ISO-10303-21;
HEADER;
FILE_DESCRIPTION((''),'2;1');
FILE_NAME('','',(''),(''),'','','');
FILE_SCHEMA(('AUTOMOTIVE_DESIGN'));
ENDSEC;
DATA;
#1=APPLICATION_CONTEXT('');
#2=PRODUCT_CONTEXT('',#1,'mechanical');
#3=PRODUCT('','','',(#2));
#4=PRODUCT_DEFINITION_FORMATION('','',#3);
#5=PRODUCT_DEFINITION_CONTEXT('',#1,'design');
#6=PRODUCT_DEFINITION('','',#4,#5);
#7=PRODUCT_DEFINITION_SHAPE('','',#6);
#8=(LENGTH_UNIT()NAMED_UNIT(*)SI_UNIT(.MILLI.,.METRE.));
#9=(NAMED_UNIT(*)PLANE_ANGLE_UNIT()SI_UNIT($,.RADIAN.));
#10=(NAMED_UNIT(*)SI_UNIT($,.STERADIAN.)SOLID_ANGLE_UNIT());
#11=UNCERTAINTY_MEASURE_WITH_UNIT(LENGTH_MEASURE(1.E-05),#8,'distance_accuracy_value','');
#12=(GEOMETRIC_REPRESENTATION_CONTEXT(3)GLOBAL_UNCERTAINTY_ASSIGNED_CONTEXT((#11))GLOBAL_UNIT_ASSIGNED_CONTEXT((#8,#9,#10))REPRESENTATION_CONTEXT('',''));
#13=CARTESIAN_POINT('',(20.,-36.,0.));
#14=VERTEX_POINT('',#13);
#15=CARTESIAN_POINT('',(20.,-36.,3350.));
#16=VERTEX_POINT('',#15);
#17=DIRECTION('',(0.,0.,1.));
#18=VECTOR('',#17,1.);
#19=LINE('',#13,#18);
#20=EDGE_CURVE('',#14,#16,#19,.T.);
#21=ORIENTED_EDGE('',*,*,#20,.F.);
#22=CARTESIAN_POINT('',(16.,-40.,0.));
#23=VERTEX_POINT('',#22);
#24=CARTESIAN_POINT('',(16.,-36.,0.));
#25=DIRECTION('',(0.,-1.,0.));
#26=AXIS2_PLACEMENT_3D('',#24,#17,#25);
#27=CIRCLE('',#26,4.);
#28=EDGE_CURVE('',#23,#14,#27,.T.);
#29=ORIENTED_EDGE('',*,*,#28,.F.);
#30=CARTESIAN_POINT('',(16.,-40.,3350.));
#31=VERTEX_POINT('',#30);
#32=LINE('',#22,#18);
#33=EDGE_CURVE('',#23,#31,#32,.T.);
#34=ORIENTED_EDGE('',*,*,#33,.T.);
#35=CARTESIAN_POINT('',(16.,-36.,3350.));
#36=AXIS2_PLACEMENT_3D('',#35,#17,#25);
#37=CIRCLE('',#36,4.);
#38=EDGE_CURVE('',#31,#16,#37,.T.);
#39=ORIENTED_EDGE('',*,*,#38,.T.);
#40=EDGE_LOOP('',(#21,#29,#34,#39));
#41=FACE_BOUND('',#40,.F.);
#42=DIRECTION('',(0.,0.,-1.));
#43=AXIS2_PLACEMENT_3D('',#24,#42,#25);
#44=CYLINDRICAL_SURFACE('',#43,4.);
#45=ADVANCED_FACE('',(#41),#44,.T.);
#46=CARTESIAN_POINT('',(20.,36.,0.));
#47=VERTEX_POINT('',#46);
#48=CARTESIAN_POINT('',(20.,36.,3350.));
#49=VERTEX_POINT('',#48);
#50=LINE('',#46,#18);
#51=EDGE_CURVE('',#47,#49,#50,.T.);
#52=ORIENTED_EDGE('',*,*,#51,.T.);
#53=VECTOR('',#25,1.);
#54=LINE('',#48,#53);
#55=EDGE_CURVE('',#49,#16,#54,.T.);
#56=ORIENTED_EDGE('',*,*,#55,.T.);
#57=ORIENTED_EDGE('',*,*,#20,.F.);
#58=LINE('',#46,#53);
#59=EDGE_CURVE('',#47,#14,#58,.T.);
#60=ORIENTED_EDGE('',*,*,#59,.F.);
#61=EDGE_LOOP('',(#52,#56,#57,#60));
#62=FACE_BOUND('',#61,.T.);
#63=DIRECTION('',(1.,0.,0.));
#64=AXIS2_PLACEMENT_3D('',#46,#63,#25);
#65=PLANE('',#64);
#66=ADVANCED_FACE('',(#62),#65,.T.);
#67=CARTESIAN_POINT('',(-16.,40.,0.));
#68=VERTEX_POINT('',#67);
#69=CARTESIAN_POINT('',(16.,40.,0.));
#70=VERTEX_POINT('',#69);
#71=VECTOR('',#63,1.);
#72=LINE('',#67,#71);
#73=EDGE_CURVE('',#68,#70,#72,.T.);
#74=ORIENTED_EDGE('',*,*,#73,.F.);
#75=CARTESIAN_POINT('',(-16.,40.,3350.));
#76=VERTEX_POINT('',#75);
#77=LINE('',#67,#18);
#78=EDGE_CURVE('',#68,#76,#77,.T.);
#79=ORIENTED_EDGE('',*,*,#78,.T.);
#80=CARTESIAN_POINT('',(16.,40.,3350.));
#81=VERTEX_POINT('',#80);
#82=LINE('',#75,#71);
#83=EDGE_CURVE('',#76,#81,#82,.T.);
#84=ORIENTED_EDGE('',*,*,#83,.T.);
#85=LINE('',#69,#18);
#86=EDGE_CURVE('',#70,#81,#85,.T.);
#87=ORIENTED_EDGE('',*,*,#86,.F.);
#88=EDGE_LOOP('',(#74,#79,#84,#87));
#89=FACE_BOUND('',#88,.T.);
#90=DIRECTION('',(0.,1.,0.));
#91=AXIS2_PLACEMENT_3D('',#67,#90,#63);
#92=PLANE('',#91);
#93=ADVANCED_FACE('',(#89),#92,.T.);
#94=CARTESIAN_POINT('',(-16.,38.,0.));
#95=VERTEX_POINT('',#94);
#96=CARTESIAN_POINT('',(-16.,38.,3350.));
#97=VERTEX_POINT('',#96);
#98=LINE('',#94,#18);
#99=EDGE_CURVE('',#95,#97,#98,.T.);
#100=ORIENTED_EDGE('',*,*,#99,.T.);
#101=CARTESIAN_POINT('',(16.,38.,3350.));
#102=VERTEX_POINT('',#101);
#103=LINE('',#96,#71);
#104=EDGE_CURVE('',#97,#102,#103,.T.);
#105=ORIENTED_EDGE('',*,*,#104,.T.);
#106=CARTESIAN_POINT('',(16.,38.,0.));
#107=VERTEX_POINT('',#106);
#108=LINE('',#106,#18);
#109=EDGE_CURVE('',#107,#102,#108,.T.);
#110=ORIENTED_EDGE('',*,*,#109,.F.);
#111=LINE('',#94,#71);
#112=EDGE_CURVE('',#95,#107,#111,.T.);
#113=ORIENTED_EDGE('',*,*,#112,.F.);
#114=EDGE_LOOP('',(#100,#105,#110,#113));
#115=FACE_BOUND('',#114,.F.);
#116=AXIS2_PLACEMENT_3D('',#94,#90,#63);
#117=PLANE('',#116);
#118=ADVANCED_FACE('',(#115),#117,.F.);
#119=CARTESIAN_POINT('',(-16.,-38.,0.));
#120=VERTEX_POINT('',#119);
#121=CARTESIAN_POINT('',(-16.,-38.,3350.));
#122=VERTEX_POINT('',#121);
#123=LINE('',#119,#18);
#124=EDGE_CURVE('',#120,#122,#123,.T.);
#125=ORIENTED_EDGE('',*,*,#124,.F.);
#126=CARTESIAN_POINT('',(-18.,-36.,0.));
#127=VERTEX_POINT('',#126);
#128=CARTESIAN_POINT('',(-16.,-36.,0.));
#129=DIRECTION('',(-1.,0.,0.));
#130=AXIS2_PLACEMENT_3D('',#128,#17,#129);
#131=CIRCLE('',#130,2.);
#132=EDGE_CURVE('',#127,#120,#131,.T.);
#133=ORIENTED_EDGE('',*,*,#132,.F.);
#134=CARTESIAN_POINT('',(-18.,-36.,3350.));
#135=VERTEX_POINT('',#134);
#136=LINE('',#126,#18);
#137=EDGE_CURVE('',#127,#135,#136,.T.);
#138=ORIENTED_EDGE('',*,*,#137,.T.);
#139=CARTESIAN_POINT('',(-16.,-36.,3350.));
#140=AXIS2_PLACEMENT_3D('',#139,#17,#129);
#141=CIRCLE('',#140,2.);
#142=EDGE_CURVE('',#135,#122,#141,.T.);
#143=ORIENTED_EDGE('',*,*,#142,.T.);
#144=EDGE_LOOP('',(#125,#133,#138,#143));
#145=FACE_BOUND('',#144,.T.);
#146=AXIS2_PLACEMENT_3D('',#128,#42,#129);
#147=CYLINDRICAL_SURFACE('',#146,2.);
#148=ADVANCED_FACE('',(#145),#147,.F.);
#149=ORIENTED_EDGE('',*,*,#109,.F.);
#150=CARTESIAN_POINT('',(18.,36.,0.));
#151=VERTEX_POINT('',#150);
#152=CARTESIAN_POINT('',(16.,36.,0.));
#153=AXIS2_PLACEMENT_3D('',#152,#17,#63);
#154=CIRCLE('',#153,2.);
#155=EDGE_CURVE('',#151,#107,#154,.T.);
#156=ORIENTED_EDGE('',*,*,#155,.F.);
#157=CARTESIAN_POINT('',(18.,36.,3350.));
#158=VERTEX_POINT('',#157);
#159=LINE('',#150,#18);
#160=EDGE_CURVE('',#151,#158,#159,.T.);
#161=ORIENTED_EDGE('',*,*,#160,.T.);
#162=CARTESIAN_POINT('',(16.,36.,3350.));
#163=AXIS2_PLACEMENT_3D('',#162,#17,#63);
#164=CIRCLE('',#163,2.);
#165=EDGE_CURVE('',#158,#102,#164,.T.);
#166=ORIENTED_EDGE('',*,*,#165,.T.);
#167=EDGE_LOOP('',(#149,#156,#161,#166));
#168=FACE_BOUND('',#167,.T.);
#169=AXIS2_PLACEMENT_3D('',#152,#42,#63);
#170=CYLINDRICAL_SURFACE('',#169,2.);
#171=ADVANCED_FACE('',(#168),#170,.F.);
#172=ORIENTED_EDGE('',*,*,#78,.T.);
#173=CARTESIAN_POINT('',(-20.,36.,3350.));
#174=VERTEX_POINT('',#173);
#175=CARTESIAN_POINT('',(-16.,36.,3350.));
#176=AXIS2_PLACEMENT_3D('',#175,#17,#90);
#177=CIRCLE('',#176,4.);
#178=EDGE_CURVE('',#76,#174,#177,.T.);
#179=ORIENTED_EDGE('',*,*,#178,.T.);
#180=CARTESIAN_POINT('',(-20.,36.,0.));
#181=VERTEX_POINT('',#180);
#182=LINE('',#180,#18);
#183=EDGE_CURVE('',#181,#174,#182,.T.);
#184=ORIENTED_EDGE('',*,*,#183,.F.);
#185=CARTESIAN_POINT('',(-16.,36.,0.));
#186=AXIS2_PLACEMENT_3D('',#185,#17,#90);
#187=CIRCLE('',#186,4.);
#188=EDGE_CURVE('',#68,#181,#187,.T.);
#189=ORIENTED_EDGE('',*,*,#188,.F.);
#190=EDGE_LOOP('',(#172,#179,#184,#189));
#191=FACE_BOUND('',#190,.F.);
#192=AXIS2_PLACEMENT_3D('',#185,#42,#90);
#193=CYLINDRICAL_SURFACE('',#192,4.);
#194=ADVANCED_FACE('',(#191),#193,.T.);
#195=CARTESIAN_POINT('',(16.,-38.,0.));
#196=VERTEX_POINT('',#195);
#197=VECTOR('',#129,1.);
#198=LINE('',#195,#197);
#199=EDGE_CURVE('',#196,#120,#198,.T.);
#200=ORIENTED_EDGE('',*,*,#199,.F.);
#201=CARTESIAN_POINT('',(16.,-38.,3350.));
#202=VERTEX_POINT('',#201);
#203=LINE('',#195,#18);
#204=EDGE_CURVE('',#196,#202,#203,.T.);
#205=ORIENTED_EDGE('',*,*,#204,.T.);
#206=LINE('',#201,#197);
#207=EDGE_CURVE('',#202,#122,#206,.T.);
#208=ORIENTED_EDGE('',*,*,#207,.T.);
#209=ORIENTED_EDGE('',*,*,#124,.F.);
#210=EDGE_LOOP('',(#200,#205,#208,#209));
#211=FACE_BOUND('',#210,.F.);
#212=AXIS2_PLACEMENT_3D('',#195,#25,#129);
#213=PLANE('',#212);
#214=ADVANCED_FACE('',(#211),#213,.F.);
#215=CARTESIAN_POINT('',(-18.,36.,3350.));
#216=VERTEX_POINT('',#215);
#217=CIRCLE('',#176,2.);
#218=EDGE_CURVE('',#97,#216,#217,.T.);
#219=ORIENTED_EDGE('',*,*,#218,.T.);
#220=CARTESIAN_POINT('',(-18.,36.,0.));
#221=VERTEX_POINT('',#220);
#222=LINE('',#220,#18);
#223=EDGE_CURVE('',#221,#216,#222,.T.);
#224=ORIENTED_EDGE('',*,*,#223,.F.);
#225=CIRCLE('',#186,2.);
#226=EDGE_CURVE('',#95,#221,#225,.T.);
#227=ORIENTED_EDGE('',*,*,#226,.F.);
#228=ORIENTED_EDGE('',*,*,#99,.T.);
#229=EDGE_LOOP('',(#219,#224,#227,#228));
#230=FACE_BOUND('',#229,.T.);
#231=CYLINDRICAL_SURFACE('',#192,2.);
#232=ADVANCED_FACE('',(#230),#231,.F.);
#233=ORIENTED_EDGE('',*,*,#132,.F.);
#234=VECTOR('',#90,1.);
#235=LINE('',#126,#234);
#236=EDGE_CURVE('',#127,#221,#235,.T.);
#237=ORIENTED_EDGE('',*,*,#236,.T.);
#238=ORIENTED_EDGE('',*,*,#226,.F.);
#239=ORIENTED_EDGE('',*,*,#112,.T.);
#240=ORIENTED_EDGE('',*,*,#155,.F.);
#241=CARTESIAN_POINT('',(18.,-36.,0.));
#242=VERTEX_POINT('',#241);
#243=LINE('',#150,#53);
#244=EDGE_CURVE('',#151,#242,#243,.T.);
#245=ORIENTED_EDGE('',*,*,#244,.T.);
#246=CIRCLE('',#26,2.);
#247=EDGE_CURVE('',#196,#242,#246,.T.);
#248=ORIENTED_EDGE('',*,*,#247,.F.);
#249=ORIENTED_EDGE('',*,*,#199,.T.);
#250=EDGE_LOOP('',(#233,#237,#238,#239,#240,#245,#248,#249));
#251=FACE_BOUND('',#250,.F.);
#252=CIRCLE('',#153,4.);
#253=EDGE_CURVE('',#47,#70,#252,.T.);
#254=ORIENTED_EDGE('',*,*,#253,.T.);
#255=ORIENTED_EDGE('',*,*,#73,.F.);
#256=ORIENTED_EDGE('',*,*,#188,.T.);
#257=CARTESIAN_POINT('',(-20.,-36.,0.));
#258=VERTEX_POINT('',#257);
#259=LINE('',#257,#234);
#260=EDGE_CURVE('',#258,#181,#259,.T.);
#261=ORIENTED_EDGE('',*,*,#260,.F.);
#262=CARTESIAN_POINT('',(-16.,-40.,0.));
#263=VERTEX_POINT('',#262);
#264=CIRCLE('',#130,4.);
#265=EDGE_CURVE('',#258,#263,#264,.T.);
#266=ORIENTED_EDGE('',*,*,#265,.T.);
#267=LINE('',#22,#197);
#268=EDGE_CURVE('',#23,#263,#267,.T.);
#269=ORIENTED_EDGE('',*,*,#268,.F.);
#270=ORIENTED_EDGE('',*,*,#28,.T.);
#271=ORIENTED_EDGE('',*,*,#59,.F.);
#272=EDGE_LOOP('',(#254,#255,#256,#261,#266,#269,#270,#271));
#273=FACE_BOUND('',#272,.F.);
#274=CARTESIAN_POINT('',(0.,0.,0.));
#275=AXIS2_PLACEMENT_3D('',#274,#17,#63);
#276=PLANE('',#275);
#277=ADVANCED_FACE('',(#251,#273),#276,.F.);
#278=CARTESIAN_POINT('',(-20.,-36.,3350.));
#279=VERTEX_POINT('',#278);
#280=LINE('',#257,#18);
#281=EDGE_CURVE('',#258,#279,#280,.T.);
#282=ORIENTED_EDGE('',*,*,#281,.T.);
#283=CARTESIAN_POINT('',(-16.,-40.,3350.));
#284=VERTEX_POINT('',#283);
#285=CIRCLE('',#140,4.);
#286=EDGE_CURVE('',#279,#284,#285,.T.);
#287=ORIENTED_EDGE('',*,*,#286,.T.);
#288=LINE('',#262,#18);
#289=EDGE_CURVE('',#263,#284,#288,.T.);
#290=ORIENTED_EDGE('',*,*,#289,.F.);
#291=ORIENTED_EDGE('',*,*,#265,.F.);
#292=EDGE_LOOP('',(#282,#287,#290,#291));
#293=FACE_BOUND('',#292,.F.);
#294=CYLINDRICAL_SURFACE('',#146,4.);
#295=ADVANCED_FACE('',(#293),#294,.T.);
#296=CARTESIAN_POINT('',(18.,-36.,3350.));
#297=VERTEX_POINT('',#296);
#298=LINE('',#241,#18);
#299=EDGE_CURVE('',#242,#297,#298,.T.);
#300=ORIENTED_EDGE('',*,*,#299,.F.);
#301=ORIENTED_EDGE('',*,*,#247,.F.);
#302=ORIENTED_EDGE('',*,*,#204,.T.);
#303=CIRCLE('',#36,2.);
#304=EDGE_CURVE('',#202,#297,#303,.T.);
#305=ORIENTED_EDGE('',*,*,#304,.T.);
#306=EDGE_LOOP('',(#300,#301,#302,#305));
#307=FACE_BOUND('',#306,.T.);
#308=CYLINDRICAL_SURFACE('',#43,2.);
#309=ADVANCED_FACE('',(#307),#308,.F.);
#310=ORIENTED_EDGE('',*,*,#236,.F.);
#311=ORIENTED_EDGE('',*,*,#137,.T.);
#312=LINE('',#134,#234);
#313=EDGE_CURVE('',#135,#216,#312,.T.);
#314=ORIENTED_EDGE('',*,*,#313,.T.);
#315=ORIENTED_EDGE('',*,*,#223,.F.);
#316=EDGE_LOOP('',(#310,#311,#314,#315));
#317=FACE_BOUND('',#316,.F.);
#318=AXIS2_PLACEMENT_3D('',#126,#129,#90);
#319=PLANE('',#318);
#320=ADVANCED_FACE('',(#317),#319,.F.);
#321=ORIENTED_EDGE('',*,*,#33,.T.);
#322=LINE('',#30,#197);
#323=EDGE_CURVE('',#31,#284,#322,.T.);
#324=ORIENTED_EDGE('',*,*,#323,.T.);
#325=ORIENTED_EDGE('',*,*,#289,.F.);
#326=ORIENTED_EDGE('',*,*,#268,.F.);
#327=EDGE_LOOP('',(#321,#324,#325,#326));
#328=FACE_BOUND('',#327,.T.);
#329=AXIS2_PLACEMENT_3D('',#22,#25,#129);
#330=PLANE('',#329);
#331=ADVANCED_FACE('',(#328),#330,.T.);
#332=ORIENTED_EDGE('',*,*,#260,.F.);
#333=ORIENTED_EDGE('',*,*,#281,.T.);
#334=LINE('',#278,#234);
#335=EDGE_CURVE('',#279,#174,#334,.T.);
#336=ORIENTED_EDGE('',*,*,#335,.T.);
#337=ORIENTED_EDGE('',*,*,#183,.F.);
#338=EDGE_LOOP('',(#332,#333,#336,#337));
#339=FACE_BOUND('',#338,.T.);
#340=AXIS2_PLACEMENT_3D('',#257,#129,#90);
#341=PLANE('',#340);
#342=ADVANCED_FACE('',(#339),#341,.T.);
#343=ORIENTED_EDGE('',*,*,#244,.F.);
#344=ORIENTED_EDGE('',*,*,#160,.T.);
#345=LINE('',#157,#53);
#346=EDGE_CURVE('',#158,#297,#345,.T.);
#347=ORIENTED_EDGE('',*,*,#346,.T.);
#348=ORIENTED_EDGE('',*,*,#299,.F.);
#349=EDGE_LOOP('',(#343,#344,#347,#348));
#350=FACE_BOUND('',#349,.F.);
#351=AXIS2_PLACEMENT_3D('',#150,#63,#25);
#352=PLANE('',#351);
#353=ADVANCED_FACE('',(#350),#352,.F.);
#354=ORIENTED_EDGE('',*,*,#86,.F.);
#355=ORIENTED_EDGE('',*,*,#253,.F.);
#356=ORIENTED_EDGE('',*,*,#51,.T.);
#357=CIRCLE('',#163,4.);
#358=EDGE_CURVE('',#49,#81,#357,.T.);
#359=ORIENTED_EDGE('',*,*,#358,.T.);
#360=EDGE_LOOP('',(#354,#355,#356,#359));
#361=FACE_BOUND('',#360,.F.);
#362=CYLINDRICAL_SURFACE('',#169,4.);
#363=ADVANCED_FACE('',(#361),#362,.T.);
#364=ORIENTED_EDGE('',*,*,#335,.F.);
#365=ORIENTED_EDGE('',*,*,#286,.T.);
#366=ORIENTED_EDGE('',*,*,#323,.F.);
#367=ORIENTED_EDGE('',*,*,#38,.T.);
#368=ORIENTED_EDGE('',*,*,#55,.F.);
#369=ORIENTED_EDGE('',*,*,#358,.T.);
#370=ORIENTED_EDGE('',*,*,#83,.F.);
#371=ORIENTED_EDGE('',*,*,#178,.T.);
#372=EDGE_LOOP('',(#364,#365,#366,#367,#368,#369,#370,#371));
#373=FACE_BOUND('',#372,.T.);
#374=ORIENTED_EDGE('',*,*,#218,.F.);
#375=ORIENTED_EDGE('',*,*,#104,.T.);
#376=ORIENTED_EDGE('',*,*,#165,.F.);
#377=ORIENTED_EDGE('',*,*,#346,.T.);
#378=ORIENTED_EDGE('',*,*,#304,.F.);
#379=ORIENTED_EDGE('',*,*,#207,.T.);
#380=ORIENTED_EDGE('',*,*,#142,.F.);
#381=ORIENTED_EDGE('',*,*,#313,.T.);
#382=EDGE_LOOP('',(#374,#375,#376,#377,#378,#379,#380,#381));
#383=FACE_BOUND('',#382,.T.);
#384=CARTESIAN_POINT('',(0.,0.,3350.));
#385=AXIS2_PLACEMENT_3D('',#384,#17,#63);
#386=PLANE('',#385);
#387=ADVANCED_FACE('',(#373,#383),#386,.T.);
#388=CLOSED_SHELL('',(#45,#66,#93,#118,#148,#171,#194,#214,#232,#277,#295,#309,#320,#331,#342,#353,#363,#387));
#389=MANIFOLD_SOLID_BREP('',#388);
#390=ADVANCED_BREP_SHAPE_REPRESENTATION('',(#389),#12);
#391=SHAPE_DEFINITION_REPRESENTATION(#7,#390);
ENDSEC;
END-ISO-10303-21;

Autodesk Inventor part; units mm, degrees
ref_plane "YZ Plane" through (0, 0, 0) normal (1, 0, 0) x (0, 1, 0)
ref_plane "Start Plane" through (0, 0, 0) normal (0, 0, 1) x (1, 0, 0)
ref_plane "End Plane" through (0, 0, 3350) normal (0, 0, 1) x (1, 0, 0)
sketch "Sketch" plane through (0, 0, 0) normal (0, 0, 1) x (1, 0, 0)
  line L0 (-20, -36) -> (-20, 36)
  line L1 (-16, 40) -> (16, 40)
  line L2 (20, 36) -> (20, -36)
  line L3 (16, -40) -> (-16, -40)
  arc A0 (-20, -36) -> (-16, -40) centre (-16, -36) ccw
  arc A1 (20, 36) -> (16, 40) centre (16, 36) ccw
  arc A2 (-16, 40) -> (-20, 36) centre (-16, 36) ccw
  arc A3 (16, -40) -> (20, -36) centre (16, -36) ccw
  arc A4 (-16, 38) -> (-18, 36) centre (-16, 36) ccw
  line L4 (-16, 38) -> (16, 38)
  arc A5 (18, 36) -> (16, 38) centre (16, 36) ccw
  line L5 (18, 36) -> (18, -36)
  arc A6 (16, -38) -> (18, -36) centre (16, -36) ccw
  line L6 (16, -38) -> (-16, -38)
  arc A7 (-18, -36) -> (-16, -38) centre (-16, -36) ccw
  line L7 (-18, -36) -> (-18, 36)
  line L8 (0, 57.1598) -> (0, -57.1598) construction
  line L9 (-29.1598, 0) -> (29.1598, 0) construction
  dimension "d7" = 4
  dimension "d9" = 40
  dimension "d11" = 80
  dimension "d12" = 2
  dimension "d15" = 20
  dimension "d16" = 40
extrude "Body" add sketch "Sketch" along normal up to surface (3350 mm away) from surface at 0
sketch "Sketch3" plane through (0, 0, 0) normal (0, 0, 1) x (1, 0, 0)
  line L0 (0, 0) -> (10, 0)
ref_plane "Work Plane3" through (0, 0, 0) normal (0, -1, 0) x (1, 0, 0)
sketch "Sketch4" plane through (0, 0, 0) normal (0, -1, 0) x (1, 0, 0)
  line L0 (-2, 0) -> (12, 0) projected
  line L1 (-2, 3350) -> (12, 3350) projected
  dimension "d18" = 3350
equation "\"d7\" = G_IR"
equation "\"d9\" = G_W"
equation "\"d11\" = G_H"
equation "\"d12\" = G_T"
equation "\"d15\" = 0.5 * d9"
equation "\"d16\" = 0.5 * d11"
equation "\"d3\" = G_L"
equation "\"G_W\" = 40"
equation "\"G_H\" = 80"
equation "\"G_T\" = 2"
equation "\"G_IR\" = 4"
equation "\"G_L\" = d18"
equation "\"G_OFFSET_START\" = 0"
equation "\"G_OFFSET_END\" = 0"
properties part number "ISO 4019 - 80x40x2 - 3350" material "Steel, Mild"
